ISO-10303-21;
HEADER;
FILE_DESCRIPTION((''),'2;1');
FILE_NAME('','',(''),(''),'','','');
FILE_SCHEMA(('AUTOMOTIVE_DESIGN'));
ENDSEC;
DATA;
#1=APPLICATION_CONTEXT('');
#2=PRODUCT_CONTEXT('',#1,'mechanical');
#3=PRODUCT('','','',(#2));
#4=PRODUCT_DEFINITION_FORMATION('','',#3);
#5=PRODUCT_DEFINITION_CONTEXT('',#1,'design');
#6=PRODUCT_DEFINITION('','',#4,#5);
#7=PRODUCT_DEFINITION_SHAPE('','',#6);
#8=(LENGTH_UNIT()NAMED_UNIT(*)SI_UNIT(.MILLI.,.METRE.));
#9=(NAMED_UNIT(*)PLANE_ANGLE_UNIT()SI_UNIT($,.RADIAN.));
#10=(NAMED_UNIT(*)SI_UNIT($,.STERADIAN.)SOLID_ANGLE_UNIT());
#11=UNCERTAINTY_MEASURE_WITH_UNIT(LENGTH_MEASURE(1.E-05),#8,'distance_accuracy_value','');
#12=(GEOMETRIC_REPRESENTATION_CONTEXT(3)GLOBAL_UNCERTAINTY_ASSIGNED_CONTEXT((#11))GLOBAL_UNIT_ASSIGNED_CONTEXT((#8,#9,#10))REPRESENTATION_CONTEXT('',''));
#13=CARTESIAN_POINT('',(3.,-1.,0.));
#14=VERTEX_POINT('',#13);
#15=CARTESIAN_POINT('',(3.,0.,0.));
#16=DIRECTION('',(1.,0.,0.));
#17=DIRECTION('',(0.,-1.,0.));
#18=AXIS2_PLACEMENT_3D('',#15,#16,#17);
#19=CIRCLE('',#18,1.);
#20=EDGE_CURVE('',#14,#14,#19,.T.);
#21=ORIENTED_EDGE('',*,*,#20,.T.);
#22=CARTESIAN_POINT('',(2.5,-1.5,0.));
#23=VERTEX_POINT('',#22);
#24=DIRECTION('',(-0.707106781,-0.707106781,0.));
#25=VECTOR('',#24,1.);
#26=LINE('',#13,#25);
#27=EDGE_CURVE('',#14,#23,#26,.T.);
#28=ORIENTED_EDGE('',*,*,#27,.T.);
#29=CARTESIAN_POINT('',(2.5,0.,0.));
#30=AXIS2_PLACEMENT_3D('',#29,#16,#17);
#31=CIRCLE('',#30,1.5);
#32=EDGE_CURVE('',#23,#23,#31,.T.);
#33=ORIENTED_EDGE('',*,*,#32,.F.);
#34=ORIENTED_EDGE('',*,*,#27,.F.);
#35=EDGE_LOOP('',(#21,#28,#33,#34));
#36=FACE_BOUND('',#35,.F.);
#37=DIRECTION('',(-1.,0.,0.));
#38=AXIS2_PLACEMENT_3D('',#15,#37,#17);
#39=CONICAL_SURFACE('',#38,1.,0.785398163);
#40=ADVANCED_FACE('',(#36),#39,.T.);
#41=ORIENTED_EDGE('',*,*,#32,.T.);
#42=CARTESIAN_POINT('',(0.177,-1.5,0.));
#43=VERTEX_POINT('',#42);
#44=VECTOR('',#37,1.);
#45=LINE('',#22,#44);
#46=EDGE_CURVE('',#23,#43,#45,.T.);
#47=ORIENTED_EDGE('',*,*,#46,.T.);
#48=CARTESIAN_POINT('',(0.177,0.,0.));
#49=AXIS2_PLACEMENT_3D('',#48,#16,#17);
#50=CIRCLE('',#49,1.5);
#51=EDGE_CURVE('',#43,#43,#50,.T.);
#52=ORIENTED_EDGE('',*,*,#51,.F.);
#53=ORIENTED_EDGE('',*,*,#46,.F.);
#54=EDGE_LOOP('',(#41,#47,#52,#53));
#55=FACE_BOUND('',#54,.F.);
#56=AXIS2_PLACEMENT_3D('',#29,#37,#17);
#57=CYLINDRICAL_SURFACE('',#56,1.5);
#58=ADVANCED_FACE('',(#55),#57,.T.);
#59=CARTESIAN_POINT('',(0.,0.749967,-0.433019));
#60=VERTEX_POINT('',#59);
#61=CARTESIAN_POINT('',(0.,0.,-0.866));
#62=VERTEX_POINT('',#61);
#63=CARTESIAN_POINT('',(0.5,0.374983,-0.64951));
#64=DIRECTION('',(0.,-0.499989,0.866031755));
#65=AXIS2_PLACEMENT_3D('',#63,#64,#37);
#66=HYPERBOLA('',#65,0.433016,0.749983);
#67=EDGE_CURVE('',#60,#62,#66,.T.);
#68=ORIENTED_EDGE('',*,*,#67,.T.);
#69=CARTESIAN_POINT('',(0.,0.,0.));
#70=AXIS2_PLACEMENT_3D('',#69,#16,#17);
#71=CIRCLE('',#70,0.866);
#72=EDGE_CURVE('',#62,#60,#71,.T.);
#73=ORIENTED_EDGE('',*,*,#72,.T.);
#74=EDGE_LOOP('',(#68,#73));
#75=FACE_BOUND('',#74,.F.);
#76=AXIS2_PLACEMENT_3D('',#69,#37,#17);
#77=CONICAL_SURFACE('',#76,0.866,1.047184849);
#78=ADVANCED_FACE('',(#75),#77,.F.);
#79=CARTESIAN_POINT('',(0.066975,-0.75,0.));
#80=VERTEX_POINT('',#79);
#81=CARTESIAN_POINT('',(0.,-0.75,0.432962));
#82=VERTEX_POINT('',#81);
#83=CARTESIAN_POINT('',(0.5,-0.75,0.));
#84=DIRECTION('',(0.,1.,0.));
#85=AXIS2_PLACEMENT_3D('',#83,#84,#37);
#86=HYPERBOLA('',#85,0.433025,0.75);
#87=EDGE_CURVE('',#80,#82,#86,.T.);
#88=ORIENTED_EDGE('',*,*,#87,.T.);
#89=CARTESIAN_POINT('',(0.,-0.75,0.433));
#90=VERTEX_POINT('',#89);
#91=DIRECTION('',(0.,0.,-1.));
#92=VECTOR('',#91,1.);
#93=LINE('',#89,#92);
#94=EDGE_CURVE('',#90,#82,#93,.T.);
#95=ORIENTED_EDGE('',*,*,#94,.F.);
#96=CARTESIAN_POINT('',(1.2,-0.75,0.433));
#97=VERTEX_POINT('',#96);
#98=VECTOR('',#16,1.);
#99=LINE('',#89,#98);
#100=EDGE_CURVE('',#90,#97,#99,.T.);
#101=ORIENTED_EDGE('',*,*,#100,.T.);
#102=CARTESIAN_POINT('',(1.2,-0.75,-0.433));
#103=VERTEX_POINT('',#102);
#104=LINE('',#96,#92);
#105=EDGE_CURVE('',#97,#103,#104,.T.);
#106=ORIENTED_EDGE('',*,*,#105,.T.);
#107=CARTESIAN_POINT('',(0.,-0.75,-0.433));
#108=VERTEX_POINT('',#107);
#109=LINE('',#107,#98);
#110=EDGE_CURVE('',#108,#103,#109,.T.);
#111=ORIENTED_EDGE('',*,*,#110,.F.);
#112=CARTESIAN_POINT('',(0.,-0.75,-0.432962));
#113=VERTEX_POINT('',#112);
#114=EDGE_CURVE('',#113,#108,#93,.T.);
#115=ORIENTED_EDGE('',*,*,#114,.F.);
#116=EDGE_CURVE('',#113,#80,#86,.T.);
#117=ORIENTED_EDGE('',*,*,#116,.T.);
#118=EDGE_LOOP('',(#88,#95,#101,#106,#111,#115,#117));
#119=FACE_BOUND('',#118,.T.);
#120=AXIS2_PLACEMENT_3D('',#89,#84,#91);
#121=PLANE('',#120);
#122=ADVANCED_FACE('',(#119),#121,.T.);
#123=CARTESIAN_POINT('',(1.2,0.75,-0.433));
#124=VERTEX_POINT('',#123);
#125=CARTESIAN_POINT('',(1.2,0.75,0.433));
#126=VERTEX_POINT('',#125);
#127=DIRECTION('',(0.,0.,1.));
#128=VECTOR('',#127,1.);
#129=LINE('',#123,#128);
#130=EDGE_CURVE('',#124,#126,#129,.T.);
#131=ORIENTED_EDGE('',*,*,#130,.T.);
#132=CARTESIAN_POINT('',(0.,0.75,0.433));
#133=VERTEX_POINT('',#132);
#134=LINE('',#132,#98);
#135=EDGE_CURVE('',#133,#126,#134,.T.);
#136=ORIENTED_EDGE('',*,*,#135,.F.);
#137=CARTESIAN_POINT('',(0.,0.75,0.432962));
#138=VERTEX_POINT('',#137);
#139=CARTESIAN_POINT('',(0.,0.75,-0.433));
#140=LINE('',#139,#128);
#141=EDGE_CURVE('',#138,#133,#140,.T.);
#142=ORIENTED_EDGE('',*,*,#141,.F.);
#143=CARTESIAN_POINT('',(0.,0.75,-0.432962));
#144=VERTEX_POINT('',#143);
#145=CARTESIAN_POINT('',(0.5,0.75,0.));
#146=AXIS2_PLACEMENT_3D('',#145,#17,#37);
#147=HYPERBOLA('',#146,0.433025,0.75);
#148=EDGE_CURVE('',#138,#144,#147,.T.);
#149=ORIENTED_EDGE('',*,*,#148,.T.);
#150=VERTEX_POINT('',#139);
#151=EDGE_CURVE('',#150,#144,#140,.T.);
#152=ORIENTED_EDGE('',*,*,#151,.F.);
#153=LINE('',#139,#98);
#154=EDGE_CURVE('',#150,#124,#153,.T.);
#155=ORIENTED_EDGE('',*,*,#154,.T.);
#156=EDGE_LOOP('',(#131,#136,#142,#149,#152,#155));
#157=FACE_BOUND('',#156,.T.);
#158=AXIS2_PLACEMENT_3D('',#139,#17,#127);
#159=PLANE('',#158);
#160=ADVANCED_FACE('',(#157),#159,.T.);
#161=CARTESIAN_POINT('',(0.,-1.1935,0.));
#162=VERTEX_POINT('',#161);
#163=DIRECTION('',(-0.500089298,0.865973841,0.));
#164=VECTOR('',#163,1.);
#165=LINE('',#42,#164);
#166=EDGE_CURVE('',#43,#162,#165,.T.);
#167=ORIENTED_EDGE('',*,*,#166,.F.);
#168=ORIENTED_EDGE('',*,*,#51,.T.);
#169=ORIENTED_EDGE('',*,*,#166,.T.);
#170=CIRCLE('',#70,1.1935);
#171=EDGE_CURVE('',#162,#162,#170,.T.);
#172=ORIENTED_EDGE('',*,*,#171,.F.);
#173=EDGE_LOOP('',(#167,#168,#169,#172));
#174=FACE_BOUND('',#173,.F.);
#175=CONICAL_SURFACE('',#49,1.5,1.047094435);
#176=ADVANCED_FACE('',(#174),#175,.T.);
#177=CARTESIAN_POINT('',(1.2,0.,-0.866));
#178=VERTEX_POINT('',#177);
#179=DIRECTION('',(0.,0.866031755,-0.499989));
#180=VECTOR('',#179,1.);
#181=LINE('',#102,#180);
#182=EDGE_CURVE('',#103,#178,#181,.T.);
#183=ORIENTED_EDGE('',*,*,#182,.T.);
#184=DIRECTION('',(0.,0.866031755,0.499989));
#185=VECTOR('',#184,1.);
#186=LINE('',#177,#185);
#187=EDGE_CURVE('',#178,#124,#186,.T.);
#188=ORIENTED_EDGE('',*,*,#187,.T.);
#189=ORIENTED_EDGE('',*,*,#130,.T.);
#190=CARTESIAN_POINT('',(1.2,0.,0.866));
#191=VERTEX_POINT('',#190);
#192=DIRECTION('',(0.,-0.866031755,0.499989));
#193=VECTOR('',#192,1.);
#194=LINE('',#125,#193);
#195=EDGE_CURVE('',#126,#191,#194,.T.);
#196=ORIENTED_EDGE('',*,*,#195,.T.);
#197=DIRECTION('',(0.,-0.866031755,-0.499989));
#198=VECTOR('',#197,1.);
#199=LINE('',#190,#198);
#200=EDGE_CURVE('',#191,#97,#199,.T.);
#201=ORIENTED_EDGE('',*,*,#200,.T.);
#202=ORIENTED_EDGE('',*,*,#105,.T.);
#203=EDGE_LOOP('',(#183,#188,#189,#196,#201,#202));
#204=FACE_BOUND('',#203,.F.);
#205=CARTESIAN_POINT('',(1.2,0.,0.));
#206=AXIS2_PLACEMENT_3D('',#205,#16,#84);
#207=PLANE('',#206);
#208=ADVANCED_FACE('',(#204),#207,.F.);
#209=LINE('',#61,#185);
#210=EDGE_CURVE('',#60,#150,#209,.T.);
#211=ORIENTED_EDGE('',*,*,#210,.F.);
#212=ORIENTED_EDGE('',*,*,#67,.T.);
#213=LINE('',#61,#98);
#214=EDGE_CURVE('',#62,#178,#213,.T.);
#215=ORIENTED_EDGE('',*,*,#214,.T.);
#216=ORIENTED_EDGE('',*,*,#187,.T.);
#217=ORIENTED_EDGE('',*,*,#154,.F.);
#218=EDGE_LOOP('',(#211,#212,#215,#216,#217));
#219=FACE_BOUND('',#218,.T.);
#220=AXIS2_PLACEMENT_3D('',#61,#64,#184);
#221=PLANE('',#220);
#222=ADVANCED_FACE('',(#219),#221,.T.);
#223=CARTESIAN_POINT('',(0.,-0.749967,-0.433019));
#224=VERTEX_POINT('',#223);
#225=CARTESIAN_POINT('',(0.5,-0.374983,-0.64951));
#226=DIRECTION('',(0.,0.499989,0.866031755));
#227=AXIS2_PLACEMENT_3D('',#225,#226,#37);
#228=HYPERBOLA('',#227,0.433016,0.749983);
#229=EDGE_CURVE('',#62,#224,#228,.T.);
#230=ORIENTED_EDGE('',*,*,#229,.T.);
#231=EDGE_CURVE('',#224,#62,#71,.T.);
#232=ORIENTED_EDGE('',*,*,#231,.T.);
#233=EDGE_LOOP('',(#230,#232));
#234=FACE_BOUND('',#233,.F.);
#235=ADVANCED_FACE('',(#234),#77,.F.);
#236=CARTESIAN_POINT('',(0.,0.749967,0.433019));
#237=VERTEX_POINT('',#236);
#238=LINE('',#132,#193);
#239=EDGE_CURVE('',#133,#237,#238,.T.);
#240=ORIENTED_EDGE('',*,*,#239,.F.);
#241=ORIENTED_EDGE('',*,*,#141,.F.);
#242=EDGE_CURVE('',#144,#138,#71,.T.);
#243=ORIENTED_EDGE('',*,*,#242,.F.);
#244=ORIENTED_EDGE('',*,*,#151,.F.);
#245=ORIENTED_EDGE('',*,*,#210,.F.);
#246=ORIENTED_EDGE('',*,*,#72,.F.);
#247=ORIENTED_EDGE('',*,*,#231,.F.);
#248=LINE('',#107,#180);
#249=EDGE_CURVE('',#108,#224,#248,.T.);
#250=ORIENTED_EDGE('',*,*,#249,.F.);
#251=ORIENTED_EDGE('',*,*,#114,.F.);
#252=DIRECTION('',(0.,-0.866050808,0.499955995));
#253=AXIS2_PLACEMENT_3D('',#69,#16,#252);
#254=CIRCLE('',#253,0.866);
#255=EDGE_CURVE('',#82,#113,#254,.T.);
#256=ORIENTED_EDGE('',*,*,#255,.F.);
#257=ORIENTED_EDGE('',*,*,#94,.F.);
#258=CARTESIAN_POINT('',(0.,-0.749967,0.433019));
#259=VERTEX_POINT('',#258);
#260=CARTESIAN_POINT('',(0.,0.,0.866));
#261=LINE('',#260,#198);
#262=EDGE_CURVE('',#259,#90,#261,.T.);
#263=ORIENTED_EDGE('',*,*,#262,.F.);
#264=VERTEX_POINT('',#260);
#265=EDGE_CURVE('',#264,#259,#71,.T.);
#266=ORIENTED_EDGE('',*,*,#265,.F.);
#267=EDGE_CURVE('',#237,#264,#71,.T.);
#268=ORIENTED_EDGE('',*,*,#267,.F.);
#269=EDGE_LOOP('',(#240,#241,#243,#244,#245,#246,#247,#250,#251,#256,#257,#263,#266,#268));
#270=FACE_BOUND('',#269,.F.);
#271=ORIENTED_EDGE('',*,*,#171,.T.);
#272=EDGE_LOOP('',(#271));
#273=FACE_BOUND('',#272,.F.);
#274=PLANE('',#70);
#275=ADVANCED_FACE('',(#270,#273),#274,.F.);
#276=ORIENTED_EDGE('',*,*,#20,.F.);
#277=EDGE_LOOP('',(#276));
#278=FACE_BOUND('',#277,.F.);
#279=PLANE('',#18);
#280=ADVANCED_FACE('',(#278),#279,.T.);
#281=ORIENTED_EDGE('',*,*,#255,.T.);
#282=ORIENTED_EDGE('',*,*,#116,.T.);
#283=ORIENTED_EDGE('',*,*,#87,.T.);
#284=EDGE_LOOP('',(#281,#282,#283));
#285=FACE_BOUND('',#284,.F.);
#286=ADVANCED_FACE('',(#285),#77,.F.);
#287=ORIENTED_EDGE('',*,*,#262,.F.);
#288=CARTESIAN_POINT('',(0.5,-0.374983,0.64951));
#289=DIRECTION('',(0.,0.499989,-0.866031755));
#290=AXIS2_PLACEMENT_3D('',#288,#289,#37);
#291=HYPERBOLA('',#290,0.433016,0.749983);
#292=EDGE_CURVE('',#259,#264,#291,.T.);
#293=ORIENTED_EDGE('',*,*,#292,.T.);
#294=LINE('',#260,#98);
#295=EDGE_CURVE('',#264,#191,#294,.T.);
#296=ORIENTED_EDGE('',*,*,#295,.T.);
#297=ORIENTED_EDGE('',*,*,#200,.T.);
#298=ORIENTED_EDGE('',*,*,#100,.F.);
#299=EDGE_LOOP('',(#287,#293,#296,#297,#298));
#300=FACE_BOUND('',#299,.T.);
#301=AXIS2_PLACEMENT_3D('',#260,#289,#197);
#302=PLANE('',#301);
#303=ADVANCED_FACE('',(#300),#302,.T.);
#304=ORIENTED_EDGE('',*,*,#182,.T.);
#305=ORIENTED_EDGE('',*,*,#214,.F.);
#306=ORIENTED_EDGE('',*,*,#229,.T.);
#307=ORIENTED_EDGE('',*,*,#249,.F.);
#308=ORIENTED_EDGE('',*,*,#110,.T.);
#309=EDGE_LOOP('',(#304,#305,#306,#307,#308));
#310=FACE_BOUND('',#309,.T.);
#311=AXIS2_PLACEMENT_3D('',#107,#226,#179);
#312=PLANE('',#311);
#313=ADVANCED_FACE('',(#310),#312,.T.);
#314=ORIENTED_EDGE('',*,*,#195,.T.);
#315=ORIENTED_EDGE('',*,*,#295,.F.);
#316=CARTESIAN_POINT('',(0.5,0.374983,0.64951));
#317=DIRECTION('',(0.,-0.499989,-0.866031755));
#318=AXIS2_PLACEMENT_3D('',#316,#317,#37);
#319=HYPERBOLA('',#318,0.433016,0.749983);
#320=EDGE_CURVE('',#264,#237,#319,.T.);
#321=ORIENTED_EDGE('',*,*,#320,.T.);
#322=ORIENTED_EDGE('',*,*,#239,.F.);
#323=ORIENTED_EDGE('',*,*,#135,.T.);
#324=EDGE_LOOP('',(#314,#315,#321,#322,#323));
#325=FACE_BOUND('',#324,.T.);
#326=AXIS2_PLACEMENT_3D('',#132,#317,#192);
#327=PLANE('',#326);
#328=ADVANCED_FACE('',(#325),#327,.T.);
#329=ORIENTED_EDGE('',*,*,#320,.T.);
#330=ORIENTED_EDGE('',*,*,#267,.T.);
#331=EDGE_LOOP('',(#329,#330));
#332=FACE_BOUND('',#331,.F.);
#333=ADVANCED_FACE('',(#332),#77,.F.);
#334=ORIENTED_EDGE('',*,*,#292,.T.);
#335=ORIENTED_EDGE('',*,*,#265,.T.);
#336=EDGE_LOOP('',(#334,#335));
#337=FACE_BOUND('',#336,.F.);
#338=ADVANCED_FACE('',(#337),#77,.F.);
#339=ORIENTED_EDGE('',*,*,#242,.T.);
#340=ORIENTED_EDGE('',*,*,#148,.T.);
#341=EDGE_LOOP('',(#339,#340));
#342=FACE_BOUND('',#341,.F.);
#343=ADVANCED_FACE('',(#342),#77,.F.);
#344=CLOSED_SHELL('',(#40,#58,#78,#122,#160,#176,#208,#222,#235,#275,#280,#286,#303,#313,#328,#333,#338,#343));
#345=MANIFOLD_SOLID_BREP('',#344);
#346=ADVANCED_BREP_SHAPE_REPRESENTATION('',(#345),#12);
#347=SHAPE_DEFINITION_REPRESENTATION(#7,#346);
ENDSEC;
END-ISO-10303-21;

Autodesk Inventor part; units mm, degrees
sketch "Sketch_1" plane through (0, 0, 0) normal (0, 0, 1) x (1, 0, 0)
  line L0 (0.5, 0) -> (3, 0)
  line L1 (3, 0) -> (3, -1)
  line L2 (3, -1) -> (2.5, -1.5)
  line L3 (2.5, -1.5) -> (0.177, -1.5)
  line L4 (0.177, -1.5) -> (0, -1.1935)
  line L5 (0, -1.1935) -> (0, -0.866)
  line L6 (0, -0.866) -> (0.5, 0)
  line L7 (0.5, 0) -> (3, 0)
revolve "Revolution1" add sketch "Sketch_1" angle 360 about axis through (0.5, 0, 0) along (1, 0, 0)
thread "Thread1" size "M3x0.5" class "6g" standard "ISO Metric profile" full length
sketch "Sketch_2" plane through (0, 0, 0) normal (1, 0, 0) x (0, 1, 0)
  line L0 (0, 0.866) -> (-0.75, 0.433)
  line L1 (-0.75, 0.433) -> (-0.75, -0.433)
  line L2 (-0.75, -0.433) -> (0, -0.866)
  line L3 (0, -0.866) -> (0.75, -0.433)
  line L4 (0.75, -0.433) -> (0.75, 0.433)
  line L5 (0.75, 0.433) -> (0, 0.866)
extrude "Extrusion1" cut sketch "Sketch_2" along normal blind 1.2
ref_plane "IP1_XY" through (0, 0, 0) normal (1, 0, 0) x (0, 0, -1)
ref_plane "IP1_YZ" through (0, 0, 0) normal (0, 0, -1) x (0, 1, 0)
ref_plane "IP1_ZX" through (0, 0, 0) normal (0, 1, 0) x (1, 0, 0)
ref_plane "IP2_XY" through (3, 0, 0) normal (1, 0, 0) x (0, 0, -1)
ref_plane "IP2_YZ" through (3, 0, 0) normal (0, 0, -1) x (0, 1, 0)
ref_plane "IP2_ZX" through (3, 0, 0) normal (0, 1, 0) x (1, 0, 0)
properties part number "Hexagon socket set screw with flat point DIN 913 - M3x3"
